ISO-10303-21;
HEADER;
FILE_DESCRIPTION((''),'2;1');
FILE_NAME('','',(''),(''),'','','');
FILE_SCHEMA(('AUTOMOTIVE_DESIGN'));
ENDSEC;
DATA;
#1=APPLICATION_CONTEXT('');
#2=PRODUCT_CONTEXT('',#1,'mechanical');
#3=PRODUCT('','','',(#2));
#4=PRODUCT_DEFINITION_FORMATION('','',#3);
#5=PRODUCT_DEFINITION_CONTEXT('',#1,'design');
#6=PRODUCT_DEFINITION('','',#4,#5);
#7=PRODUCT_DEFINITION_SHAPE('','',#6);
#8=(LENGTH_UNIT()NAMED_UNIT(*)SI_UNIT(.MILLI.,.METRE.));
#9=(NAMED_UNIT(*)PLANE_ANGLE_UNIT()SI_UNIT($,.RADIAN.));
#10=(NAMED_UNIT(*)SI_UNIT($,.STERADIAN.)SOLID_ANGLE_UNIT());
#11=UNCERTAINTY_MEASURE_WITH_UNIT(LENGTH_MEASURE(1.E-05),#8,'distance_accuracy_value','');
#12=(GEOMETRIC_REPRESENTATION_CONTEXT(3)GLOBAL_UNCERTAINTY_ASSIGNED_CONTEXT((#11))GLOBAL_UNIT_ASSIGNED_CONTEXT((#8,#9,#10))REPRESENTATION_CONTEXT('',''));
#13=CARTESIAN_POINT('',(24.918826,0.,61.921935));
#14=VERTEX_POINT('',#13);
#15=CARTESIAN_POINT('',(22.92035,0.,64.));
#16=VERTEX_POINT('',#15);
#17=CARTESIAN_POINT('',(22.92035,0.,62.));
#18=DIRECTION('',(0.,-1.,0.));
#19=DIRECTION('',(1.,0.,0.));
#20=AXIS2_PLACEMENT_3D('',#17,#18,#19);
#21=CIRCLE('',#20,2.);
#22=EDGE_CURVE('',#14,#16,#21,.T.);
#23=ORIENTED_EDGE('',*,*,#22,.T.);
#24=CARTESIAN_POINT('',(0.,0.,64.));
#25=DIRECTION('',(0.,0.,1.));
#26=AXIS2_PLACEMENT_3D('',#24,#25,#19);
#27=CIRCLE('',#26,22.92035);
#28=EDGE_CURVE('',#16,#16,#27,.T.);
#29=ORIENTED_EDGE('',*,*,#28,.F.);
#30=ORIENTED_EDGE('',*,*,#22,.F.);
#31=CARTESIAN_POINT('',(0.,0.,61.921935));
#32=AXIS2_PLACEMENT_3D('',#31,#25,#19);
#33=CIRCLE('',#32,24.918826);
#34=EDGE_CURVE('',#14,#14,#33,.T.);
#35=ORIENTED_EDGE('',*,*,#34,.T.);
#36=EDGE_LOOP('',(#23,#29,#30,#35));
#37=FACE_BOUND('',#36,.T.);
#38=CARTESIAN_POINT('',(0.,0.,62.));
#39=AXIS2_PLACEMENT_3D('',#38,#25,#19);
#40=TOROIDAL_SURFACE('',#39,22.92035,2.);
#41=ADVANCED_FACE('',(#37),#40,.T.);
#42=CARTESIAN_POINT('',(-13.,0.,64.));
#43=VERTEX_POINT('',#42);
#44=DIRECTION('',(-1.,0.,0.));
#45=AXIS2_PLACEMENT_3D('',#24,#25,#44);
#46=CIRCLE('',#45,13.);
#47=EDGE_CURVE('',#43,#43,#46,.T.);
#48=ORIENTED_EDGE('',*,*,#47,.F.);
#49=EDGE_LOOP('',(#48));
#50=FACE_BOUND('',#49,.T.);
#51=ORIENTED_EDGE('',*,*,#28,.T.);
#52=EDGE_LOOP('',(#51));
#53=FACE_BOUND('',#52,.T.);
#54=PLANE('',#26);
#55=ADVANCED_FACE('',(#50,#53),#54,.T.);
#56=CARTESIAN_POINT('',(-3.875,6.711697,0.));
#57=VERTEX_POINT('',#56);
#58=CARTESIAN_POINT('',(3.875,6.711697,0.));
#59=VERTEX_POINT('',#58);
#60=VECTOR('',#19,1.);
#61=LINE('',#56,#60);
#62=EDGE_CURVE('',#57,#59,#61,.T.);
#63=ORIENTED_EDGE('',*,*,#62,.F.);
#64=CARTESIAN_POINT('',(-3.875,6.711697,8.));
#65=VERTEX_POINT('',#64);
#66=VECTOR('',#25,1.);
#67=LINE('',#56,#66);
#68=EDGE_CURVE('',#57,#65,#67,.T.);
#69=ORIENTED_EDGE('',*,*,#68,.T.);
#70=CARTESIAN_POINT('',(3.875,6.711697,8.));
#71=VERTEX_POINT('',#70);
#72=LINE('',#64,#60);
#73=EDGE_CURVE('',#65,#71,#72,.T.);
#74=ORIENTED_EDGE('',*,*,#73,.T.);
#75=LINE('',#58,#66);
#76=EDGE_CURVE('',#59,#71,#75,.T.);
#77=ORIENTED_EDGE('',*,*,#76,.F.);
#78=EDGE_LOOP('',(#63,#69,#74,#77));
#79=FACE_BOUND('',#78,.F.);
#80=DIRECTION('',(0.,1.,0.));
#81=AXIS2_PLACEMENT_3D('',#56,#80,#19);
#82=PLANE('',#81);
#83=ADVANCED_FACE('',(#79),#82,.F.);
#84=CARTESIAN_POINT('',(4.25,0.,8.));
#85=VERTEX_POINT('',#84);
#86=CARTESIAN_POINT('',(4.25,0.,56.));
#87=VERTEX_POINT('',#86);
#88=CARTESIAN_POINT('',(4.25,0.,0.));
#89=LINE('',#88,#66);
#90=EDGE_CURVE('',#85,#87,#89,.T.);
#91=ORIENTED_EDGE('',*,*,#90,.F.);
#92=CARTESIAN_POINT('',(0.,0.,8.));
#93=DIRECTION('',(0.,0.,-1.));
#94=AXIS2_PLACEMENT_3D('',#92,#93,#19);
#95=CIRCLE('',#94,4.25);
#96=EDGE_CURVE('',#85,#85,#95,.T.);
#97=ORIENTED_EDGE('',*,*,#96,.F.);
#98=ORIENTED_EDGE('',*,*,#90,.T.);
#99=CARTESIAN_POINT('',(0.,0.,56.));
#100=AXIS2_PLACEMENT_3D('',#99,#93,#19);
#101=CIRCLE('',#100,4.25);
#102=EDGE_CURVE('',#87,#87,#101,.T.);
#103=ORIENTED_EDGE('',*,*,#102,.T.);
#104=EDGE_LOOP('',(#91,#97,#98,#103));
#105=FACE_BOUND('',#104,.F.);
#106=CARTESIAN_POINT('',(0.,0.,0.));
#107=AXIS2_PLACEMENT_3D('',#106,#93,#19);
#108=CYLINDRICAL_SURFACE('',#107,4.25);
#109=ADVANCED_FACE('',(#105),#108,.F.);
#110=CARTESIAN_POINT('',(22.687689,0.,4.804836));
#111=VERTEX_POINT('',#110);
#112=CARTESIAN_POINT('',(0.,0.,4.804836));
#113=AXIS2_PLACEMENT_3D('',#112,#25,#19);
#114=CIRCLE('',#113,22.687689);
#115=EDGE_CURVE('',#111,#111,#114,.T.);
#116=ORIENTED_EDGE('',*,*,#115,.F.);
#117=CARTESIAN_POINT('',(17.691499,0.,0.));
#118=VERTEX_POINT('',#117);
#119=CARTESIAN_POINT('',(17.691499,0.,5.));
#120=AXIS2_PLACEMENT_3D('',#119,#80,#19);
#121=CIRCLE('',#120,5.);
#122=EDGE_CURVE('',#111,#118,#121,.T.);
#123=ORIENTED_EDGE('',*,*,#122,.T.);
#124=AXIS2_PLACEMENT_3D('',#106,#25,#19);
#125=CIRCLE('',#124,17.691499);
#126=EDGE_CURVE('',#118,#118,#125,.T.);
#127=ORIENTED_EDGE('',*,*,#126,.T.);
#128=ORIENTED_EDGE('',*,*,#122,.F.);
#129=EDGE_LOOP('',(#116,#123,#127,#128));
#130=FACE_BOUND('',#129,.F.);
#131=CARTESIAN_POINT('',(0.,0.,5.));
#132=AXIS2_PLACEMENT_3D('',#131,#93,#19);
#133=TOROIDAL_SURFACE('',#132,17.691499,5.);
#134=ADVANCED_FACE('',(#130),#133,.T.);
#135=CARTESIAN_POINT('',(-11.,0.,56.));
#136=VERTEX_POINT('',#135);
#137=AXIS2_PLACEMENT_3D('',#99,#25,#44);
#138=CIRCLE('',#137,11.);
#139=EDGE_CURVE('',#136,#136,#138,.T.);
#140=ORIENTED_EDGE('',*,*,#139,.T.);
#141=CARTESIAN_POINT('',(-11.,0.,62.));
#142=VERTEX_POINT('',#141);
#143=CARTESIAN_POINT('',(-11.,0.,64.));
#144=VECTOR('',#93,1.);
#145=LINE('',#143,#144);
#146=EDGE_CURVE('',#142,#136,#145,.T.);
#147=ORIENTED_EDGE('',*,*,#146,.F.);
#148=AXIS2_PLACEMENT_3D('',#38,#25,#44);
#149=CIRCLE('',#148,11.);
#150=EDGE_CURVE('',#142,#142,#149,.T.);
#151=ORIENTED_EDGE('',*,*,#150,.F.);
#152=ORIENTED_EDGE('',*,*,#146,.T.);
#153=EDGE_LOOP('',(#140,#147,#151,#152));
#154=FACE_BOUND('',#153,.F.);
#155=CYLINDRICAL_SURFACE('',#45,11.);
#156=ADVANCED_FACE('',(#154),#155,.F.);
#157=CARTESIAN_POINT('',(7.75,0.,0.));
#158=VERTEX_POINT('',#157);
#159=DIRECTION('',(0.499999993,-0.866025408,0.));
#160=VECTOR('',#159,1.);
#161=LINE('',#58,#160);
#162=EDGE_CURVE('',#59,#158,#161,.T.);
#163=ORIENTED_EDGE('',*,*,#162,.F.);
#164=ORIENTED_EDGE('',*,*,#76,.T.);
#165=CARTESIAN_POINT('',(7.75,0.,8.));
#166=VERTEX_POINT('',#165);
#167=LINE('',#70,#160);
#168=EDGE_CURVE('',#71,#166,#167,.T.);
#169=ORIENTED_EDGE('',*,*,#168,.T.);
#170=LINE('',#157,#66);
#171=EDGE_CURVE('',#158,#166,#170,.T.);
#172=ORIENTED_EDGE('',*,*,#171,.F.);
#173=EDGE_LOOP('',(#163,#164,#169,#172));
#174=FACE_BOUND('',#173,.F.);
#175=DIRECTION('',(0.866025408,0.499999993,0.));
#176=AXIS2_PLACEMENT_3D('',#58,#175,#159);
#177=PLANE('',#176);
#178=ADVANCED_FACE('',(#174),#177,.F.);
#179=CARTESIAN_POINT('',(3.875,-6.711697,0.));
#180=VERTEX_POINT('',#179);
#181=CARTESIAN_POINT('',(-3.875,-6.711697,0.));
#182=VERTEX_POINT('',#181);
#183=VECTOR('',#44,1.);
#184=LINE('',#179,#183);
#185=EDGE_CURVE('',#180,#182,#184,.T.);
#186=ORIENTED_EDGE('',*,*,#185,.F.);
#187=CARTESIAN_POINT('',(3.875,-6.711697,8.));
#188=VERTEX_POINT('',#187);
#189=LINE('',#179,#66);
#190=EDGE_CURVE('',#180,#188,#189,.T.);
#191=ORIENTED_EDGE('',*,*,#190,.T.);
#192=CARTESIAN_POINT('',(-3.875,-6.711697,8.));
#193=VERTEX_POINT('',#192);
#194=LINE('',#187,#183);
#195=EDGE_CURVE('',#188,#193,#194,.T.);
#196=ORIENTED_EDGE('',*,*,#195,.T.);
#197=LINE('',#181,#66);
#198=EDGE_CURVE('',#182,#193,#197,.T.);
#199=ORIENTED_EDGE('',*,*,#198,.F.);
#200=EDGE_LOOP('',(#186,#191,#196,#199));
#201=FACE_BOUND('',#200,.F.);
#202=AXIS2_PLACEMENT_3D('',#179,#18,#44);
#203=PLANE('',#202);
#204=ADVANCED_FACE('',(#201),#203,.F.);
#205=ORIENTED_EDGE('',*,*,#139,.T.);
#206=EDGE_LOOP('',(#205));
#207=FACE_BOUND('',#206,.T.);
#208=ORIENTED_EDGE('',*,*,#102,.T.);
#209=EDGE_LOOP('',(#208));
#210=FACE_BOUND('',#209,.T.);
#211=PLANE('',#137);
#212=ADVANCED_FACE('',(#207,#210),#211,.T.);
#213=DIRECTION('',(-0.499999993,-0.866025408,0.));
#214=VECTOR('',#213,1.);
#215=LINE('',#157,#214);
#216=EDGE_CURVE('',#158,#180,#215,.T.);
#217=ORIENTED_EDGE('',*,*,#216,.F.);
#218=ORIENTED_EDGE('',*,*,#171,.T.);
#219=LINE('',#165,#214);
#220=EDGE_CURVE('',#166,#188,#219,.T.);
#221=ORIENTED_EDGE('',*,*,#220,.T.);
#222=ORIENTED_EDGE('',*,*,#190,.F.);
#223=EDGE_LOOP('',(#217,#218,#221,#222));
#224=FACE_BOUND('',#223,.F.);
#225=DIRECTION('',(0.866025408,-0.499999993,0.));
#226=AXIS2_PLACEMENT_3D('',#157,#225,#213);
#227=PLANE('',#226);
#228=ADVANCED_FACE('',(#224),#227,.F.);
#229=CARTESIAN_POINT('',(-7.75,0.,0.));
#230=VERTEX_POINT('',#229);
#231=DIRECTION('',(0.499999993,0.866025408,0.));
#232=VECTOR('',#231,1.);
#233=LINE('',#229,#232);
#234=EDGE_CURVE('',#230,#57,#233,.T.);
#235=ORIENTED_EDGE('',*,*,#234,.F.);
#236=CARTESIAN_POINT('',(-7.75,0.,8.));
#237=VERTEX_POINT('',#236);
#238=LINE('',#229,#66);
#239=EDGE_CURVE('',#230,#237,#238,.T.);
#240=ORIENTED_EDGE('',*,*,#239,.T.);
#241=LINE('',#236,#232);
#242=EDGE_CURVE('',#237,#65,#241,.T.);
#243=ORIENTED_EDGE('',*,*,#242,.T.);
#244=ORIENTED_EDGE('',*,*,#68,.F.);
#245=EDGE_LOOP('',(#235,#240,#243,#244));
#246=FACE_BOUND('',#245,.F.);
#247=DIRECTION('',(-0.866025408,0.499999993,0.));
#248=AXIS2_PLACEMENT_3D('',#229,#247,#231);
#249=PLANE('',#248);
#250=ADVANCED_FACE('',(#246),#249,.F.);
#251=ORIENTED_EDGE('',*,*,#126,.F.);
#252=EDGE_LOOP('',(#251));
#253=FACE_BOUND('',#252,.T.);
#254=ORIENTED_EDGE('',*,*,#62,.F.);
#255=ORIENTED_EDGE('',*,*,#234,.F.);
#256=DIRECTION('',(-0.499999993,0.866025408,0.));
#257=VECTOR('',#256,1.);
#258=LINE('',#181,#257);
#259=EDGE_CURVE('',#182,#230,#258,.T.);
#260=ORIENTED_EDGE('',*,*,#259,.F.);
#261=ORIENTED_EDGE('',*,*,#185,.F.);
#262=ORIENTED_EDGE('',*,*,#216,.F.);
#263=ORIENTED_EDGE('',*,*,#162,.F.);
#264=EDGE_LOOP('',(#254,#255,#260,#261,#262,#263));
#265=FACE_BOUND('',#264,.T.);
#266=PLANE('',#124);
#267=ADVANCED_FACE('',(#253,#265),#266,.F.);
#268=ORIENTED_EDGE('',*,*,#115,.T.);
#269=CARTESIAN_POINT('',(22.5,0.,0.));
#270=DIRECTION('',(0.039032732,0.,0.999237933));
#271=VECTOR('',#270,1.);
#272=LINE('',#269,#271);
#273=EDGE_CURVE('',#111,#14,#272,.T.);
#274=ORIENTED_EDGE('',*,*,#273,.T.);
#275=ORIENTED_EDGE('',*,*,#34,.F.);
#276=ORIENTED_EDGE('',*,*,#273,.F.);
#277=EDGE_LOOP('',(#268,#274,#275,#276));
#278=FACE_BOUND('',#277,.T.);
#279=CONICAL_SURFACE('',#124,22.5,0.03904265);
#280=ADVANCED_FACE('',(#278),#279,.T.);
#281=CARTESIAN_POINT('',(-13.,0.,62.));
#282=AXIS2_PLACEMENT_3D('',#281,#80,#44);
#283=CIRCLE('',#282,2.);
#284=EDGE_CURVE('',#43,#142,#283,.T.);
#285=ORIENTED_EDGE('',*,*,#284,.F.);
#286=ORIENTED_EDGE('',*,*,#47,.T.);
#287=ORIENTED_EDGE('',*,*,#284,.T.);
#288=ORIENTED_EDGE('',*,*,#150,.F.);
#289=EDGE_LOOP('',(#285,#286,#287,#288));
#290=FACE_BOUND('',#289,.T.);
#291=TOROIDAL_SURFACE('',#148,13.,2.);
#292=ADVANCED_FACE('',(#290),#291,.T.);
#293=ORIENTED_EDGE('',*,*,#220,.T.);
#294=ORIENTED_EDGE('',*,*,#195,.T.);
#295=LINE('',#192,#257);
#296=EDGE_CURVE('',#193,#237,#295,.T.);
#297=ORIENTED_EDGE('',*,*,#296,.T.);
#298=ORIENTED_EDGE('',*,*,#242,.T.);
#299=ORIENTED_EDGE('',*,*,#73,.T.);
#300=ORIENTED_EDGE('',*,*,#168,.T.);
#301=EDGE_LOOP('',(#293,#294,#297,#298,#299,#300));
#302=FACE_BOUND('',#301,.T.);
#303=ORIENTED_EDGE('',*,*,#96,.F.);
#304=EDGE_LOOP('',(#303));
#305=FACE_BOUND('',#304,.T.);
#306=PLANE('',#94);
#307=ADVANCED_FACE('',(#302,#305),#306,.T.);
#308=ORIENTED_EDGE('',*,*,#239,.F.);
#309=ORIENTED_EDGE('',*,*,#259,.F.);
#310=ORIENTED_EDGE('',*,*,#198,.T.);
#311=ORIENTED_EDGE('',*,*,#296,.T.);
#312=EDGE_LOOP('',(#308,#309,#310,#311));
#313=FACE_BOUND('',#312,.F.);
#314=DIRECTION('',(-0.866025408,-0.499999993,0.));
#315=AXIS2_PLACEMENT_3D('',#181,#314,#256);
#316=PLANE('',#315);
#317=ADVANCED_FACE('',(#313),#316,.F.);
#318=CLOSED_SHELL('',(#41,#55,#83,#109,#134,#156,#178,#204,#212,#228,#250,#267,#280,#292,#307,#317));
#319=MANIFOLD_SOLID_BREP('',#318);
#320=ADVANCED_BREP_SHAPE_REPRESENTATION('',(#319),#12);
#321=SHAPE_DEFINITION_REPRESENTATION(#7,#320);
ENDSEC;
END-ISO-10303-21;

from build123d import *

# Parameters (mm, degrees)
POCKET_DEPTH    = 8
SKETCH003_R     = 4.25
POCKET001_DEPTH = 64.001
SKETCH004_R     = 11
POCKET002_DEPTH = 8
FILLET_R        = 2
FILLET001_R     = 5


with BuildPart() as part:
    # Sketch → Revolution (revolve)
    with BuildSketch(Plane.XZ):
        Polygon((0, 0), (22.5, 0), (25, 64), (0, 64), align=None)
    revolve(axis=Axis((0, 0, 0), (0, 0, 1)))

    # Sketch002 (on Face1 of Revolution) → Pocket (cut)
    with BuildSketch(Plane(origin=(0, 0, 0), x_dir=(1, 0, 0), z_dir=(0, 0, -1))):
        Polygon((7.75, 0), (3.875, 6.711697), (-3.875, 6.711697), (-7.75, 0), (-3.875, -6.711697), (3.875, -6.711697), align=None)
    extrude(amount=-POCKET_DEPTH, mode=Mode.SUBTRACT)

    # Sketch003 (on Face1 of Pocket) → Pocket001 (cut, through all)
    with BuildSketch(Plane(origin=(0, 0, 0), x_dir=(1, 0, 0), z_dir=(0, 0, -1))):
        Circle(SKETCH003_R)
    extrude(amount=-POCKET001_DEPTH, mode=Mode.SUBTRACT)

    # Sketch004 (on Face9 of Pocket001) → Pocket002 (cut)
    with BuildSketch(Plane(origin=(0, 0, 64), x_dir=(-1, 0, 0), z_dir=(0, 0, 1))):
        Circle(SKETCH004_R)
    extrude(amount=-POCKET002_DEPTH, mode=Mode.SUBTRACT)

    # Fillet
    fillet_edges = [part.edges().sort_by_distance(p)[0] for p in [
        (-25, 0, 64),
        (11, 0, 64),
    ]]
    fillet(fillet_edges, radius=FILLET_R)

    # Fillet001
    fillet001_edges = [part.edges().sort_by_distance(p)[0] for p in [
        (-22.5, 0, 0),
    ]]
    fillet(fillet001_edges, radius=FILLET001_R)


solid = part.part
